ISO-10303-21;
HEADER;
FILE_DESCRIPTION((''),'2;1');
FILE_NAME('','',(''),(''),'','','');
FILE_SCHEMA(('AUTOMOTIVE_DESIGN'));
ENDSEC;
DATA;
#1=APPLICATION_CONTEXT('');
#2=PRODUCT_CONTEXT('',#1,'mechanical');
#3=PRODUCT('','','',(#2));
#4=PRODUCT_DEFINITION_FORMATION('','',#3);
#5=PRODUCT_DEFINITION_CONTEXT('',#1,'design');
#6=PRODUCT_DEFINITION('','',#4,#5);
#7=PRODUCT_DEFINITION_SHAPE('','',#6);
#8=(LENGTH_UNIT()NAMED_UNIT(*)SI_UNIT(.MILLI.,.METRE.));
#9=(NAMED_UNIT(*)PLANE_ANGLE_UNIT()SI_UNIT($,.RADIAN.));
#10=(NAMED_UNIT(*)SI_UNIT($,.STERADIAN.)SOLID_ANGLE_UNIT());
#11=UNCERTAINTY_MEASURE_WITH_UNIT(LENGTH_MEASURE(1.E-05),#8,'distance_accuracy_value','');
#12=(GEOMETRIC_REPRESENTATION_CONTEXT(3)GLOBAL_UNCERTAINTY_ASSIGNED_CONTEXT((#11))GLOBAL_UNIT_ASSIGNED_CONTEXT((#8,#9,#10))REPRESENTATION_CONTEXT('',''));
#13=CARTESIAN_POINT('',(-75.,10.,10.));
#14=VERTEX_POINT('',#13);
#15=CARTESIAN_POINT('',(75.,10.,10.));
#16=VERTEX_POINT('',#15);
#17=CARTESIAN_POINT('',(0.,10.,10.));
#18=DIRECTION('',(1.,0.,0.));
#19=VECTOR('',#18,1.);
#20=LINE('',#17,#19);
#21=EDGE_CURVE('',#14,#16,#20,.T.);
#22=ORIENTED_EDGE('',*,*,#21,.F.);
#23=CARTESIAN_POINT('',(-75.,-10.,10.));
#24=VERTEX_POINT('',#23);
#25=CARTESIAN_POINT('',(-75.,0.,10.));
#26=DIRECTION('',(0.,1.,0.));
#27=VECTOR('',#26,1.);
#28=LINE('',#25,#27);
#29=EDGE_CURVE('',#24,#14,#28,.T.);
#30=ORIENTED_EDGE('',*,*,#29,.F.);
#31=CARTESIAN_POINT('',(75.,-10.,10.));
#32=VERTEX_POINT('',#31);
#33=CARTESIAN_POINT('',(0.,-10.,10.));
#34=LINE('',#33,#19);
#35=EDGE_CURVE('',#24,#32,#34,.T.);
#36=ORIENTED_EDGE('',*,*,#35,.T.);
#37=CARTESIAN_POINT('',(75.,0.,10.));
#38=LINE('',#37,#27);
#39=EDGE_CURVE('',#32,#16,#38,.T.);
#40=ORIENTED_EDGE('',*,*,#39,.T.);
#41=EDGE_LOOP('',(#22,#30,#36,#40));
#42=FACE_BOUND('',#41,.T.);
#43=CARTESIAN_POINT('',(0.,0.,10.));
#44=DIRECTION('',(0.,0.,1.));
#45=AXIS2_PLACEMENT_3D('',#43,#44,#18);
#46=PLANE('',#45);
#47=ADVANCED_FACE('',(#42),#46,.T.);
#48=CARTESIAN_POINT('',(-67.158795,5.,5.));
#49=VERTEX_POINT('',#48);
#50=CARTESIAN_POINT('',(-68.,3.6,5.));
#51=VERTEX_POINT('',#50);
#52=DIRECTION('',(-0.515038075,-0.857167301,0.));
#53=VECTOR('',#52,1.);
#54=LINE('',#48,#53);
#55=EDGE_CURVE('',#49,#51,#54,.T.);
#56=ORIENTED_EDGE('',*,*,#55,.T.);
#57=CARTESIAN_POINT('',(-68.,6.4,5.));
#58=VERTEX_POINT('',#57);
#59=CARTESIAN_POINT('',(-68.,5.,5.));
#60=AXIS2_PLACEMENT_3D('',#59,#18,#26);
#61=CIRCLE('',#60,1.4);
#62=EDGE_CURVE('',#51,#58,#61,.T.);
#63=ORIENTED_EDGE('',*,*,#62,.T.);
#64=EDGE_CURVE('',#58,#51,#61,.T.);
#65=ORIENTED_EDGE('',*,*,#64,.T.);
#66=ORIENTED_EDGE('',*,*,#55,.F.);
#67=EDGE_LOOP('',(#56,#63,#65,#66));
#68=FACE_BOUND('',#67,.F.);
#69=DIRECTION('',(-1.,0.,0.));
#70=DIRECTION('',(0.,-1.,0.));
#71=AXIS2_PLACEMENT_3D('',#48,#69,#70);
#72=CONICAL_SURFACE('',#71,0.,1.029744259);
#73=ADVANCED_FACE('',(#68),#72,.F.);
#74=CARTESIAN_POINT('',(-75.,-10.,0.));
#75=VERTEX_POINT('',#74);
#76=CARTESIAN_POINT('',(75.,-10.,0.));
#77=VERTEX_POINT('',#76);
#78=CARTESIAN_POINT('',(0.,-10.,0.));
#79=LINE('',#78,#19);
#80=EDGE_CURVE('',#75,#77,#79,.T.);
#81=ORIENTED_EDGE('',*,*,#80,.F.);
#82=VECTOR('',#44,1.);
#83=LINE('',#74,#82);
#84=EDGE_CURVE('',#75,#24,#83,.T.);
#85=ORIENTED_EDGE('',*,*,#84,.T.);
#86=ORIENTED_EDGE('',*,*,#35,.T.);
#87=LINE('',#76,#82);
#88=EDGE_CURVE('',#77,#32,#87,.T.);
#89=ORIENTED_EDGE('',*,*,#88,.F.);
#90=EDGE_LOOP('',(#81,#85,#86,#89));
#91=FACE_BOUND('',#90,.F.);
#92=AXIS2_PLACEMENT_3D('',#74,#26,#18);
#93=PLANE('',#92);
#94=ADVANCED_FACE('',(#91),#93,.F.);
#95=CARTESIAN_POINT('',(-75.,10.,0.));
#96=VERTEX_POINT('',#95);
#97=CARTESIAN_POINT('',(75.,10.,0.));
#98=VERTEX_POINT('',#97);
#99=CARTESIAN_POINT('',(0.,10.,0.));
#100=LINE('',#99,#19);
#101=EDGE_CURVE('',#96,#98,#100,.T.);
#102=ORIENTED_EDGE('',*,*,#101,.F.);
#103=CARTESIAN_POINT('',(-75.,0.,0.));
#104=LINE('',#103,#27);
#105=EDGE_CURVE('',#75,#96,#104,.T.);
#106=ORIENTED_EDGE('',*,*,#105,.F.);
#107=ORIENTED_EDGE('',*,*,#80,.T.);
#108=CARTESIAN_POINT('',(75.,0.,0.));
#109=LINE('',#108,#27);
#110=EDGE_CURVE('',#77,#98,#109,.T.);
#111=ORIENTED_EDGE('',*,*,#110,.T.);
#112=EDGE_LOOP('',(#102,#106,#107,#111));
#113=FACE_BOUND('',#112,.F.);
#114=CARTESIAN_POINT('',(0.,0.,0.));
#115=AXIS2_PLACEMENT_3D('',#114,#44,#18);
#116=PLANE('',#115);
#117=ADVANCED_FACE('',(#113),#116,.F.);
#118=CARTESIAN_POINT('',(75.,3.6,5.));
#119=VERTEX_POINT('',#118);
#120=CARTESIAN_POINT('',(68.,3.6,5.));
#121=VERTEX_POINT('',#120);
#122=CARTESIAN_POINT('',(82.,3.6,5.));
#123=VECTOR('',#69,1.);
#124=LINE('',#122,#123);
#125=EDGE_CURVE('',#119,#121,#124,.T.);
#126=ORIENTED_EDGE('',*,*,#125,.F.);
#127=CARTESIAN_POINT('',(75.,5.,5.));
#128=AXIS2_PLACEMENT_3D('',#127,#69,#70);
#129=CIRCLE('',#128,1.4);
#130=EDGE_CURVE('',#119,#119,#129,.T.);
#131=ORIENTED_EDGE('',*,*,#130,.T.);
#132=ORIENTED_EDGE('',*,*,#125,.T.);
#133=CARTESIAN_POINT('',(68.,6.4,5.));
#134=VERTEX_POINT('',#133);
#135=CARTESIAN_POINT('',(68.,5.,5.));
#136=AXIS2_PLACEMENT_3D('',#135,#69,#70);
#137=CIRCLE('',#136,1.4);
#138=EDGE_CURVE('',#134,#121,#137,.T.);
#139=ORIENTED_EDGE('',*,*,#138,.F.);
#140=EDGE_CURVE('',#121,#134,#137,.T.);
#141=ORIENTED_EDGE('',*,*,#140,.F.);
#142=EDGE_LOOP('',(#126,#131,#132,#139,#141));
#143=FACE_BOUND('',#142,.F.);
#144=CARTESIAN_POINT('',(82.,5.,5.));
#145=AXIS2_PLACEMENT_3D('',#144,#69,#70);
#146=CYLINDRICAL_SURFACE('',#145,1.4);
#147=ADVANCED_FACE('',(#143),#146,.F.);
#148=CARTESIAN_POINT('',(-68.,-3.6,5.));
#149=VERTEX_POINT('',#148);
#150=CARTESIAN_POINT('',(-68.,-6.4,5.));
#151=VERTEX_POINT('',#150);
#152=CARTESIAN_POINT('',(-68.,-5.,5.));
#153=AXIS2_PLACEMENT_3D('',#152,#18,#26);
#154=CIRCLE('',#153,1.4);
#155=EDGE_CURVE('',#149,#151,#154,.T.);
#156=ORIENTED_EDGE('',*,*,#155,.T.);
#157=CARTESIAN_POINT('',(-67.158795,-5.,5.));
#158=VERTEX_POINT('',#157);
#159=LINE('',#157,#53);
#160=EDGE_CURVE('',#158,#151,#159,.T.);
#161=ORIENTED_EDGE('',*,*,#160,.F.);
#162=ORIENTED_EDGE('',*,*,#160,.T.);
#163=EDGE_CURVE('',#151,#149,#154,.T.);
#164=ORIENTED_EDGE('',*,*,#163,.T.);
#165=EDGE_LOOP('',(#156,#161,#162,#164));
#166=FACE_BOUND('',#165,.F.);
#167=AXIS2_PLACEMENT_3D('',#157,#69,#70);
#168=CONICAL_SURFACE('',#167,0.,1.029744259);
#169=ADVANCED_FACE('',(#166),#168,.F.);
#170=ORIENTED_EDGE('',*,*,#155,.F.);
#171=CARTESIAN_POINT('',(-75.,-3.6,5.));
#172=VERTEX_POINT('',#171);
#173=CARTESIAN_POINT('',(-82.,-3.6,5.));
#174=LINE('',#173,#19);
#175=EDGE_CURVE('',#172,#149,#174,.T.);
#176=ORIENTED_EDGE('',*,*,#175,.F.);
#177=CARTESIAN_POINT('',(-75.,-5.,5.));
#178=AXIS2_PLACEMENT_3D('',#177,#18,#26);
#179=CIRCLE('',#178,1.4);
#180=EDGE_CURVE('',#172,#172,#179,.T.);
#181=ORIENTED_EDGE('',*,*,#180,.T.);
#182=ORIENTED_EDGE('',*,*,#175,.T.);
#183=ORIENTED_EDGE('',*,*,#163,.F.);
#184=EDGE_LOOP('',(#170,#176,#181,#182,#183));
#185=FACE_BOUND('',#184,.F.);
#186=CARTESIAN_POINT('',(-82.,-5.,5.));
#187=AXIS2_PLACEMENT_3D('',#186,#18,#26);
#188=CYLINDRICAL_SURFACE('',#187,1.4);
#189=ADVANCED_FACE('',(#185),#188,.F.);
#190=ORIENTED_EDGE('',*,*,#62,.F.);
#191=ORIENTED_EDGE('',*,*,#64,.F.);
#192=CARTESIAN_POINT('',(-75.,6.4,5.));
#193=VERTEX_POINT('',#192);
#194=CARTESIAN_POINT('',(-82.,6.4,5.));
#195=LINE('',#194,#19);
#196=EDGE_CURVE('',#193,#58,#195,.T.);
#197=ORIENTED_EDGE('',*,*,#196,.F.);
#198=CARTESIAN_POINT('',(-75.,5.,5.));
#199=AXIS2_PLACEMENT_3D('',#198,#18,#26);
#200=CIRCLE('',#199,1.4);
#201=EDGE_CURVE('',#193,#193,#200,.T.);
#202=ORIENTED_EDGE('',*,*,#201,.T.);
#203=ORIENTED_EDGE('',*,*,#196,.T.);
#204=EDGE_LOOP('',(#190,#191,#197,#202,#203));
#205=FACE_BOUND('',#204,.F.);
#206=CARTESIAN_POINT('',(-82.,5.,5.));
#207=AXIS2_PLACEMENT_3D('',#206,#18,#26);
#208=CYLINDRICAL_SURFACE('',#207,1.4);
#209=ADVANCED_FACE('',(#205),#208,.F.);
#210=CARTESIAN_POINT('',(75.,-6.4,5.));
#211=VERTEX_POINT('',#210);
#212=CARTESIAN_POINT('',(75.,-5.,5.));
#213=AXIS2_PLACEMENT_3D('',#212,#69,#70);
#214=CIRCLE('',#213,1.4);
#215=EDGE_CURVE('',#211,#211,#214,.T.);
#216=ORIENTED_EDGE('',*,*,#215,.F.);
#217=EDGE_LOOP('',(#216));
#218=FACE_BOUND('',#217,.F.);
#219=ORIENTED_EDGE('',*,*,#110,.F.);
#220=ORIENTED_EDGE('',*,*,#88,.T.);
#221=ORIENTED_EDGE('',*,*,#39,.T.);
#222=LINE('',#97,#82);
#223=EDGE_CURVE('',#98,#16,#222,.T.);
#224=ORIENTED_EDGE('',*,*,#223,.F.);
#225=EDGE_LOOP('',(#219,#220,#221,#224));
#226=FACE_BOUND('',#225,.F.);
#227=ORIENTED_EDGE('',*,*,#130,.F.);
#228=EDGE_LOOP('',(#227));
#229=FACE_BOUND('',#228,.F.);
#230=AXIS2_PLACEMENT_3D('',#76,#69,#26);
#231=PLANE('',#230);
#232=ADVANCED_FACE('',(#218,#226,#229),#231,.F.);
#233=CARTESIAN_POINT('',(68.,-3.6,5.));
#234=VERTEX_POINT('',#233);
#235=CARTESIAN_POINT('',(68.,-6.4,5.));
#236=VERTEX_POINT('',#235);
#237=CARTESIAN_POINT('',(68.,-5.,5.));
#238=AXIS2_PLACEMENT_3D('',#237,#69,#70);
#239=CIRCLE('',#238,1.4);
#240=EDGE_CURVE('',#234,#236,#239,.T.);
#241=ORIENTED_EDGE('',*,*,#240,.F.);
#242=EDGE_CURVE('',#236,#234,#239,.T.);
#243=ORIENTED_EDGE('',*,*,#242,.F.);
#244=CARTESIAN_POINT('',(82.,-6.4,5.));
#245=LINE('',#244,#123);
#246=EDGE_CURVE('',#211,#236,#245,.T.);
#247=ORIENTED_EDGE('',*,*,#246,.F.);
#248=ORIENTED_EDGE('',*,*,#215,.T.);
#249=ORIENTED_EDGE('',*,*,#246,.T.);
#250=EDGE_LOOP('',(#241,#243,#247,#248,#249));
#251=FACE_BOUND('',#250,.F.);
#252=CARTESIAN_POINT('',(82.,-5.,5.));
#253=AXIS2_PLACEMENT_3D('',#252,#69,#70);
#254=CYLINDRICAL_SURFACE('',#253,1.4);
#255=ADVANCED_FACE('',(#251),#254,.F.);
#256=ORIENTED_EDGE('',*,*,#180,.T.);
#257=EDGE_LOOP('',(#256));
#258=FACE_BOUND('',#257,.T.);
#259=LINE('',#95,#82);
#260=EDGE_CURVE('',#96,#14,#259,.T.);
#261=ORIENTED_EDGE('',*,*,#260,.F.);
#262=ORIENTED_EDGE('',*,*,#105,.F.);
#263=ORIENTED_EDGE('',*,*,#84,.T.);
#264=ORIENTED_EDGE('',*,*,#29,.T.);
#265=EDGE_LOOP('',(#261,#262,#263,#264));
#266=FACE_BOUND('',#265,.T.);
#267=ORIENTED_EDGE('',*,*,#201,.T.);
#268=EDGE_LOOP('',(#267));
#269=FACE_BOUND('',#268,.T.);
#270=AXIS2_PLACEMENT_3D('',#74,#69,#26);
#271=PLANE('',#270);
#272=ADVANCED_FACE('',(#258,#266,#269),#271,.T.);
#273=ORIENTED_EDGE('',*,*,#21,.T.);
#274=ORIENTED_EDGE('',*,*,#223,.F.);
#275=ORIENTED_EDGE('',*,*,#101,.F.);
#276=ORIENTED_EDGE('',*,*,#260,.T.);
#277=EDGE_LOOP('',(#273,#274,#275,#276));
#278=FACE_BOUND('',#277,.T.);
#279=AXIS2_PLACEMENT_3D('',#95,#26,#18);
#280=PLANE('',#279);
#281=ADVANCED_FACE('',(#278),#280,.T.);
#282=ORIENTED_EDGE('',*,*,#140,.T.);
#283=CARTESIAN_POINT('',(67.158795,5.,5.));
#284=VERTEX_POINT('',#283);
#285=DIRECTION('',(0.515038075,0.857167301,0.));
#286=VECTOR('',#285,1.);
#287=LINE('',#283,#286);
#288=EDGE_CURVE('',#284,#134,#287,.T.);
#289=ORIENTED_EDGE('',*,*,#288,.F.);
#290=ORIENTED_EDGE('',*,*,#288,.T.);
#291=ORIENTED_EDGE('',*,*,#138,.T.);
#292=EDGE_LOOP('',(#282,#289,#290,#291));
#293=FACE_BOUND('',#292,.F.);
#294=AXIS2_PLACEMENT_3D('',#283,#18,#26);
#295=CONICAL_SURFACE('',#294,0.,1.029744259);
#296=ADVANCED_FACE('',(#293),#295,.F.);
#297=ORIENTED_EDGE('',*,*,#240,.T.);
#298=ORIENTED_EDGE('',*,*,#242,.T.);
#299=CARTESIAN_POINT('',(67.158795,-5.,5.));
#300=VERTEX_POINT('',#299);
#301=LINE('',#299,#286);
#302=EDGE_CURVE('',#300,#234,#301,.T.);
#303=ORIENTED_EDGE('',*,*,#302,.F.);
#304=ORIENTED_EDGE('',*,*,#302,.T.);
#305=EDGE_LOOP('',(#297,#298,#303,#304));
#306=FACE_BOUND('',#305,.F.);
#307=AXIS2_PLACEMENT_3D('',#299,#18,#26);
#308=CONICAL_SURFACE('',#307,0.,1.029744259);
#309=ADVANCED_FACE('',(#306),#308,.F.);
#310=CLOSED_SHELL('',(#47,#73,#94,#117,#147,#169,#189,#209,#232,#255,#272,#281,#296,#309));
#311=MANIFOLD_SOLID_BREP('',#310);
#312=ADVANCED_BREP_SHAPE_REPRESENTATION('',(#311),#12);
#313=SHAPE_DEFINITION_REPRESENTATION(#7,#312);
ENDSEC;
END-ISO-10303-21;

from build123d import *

# Parameters (mm, degrees)
F0_W     = 150
F0_H     = 20
F1_DEPTH = 10
F3_D     = 2.8
F3_DEPTH = 7
F3_TIP   = 0.8412048666
F5_D     = 2.8
F5_DEPTH = 7
F5_TIP   = 0.8412048666


with BuildPart() as f1:
    # F0 (on Top) → F1 (new body)
    with BuildSketch(Plane.XY):
        Rectangle(F0_W, F0_H)
    extrude(amount=F1_DEPTH)

    # F3
    with Locations(Plane(origin=(-75, 0, 0), x_dir=(0, -1, 0), z_dir=(-1, 0, 0))):
        with Locations((-5, 5), (5, 5)):
            Hole(F3_D / 2, depth=F3_DEPTH)
            with Locations((0, 0, -(F3_DEPTH + F3_TIP / 2))):  # 118° drill point
                Cone(0, F3_D / 2, F3_TIP, mode=Mode.SUBTRACT)

    # F5
    with Locations(Plane.YZ.offset(75)):
        with Locations((-5, 5), (5, 5)):
            Hole(F5_D / 2, depth=F5_DEPTH)
            with Locations((0, 0, -(F5_DEPTH + F5_TIP / 2))):  # 118° drill point
                Cone(0, F5_D / 2, F5_TIP, mode=Mode.SUBTRACT)


solid = f1.part
